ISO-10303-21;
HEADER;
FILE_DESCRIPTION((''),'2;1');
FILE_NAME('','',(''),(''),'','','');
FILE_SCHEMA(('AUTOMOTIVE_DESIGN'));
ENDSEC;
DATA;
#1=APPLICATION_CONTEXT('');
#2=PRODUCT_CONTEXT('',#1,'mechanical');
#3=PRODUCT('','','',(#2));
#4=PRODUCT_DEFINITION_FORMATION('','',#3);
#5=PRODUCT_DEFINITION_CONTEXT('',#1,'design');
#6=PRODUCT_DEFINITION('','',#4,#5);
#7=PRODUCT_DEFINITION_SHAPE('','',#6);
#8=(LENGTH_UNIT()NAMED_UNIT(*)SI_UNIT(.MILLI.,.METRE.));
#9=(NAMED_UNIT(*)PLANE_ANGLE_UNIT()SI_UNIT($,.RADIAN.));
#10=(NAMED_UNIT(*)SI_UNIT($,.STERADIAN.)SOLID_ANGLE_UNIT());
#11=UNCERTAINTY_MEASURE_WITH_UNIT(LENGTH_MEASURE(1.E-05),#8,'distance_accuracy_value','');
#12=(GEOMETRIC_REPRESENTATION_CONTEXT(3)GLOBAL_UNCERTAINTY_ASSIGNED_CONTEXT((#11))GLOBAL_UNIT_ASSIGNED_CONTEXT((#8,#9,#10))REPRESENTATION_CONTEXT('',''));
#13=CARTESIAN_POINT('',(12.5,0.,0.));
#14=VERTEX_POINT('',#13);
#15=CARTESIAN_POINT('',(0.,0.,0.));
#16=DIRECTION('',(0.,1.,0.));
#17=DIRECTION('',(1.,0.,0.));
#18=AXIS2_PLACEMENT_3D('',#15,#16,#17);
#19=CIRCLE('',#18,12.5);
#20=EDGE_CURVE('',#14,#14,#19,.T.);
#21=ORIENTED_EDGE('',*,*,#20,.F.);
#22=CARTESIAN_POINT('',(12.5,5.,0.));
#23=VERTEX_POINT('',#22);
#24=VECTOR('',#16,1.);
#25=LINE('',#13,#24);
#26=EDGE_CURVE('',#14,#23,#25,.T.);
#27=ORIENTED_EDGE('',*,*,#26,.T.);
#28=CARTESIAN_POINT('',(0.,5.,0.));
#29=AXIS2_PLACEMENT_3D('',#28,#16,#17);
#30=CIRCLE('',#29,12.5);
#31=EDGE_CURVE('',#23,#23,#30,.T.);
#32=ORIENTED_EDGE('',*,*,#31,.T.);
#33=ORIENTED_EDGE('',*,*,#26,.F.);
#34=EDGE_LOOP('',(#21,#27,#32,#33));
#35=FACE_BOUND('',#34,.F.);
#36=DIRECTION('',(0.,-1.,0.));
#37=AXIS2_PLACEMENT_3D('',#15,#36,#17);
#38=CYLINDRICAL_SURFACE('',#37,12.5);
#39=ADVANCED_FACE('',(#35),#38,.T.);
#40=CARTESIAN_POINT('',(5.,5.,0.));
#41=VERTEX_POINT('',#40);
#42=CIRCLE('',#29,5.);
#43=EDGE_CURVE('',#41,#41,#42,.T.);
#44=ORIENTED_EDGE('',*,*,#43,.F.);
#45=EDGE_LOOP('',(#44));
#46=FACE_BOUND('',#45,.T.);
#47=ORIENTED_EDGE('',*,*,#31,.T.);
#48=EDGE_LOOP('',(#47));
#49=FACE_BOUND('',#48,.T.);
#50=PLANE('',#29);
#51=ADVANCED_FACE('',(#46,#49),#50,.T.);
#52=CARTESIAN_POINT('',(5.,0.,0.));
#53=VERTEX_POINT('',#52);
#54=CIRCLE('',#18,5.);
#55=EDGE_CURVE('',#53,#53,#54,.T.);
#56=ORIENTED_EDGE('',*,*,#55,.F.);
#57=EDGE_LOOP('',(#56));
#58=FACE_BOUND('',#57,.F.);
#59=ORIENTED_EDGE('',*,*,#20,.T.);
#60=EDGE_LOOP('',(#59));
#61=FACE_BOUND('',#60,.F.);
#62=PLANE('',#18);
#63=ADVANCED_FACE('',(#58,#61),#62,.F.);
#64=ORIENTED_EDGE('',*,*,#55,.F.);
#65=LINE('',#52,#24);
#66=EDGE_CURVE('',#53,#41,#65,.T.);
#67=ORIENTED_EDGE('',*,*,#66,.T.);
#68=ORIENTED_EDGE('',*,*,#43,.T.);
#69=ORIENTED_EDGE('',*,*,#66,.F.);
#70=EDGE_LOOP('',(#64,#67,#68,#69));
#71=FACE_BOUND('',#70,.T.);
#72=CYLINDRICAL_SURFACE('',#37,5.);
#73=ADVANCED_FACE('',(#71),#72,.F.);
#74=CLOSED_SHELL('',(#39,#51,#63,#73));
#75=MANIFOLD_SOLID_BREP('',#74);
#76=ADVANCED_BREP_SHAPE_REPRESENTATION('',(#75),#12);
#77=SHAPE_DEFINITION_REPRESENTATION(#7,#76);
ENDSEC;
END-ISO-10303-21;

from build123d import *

# Parameters (mm, degrees)
SKETCH1_R           = 12.5
SKETCH1_R_2         = 5
BOSS_EXTRUDE1_DEPTH = 5


with BuildPart() as part:
    # Sketch1 → Boss-Extrude1 (new body)
    with BuildSketch(Plane(origin=(0, 0, 0), x_dir=(1, 0, 0), z_dir=(0, 1, 0))):
        Circle(SKETCH1_R)
        Circle(SKETCH1_R_2, mode=Mode.SUBTRACT)
    extrude(amount=BOSS_EXTRUDE1_DEPTH)


solid = part.part
